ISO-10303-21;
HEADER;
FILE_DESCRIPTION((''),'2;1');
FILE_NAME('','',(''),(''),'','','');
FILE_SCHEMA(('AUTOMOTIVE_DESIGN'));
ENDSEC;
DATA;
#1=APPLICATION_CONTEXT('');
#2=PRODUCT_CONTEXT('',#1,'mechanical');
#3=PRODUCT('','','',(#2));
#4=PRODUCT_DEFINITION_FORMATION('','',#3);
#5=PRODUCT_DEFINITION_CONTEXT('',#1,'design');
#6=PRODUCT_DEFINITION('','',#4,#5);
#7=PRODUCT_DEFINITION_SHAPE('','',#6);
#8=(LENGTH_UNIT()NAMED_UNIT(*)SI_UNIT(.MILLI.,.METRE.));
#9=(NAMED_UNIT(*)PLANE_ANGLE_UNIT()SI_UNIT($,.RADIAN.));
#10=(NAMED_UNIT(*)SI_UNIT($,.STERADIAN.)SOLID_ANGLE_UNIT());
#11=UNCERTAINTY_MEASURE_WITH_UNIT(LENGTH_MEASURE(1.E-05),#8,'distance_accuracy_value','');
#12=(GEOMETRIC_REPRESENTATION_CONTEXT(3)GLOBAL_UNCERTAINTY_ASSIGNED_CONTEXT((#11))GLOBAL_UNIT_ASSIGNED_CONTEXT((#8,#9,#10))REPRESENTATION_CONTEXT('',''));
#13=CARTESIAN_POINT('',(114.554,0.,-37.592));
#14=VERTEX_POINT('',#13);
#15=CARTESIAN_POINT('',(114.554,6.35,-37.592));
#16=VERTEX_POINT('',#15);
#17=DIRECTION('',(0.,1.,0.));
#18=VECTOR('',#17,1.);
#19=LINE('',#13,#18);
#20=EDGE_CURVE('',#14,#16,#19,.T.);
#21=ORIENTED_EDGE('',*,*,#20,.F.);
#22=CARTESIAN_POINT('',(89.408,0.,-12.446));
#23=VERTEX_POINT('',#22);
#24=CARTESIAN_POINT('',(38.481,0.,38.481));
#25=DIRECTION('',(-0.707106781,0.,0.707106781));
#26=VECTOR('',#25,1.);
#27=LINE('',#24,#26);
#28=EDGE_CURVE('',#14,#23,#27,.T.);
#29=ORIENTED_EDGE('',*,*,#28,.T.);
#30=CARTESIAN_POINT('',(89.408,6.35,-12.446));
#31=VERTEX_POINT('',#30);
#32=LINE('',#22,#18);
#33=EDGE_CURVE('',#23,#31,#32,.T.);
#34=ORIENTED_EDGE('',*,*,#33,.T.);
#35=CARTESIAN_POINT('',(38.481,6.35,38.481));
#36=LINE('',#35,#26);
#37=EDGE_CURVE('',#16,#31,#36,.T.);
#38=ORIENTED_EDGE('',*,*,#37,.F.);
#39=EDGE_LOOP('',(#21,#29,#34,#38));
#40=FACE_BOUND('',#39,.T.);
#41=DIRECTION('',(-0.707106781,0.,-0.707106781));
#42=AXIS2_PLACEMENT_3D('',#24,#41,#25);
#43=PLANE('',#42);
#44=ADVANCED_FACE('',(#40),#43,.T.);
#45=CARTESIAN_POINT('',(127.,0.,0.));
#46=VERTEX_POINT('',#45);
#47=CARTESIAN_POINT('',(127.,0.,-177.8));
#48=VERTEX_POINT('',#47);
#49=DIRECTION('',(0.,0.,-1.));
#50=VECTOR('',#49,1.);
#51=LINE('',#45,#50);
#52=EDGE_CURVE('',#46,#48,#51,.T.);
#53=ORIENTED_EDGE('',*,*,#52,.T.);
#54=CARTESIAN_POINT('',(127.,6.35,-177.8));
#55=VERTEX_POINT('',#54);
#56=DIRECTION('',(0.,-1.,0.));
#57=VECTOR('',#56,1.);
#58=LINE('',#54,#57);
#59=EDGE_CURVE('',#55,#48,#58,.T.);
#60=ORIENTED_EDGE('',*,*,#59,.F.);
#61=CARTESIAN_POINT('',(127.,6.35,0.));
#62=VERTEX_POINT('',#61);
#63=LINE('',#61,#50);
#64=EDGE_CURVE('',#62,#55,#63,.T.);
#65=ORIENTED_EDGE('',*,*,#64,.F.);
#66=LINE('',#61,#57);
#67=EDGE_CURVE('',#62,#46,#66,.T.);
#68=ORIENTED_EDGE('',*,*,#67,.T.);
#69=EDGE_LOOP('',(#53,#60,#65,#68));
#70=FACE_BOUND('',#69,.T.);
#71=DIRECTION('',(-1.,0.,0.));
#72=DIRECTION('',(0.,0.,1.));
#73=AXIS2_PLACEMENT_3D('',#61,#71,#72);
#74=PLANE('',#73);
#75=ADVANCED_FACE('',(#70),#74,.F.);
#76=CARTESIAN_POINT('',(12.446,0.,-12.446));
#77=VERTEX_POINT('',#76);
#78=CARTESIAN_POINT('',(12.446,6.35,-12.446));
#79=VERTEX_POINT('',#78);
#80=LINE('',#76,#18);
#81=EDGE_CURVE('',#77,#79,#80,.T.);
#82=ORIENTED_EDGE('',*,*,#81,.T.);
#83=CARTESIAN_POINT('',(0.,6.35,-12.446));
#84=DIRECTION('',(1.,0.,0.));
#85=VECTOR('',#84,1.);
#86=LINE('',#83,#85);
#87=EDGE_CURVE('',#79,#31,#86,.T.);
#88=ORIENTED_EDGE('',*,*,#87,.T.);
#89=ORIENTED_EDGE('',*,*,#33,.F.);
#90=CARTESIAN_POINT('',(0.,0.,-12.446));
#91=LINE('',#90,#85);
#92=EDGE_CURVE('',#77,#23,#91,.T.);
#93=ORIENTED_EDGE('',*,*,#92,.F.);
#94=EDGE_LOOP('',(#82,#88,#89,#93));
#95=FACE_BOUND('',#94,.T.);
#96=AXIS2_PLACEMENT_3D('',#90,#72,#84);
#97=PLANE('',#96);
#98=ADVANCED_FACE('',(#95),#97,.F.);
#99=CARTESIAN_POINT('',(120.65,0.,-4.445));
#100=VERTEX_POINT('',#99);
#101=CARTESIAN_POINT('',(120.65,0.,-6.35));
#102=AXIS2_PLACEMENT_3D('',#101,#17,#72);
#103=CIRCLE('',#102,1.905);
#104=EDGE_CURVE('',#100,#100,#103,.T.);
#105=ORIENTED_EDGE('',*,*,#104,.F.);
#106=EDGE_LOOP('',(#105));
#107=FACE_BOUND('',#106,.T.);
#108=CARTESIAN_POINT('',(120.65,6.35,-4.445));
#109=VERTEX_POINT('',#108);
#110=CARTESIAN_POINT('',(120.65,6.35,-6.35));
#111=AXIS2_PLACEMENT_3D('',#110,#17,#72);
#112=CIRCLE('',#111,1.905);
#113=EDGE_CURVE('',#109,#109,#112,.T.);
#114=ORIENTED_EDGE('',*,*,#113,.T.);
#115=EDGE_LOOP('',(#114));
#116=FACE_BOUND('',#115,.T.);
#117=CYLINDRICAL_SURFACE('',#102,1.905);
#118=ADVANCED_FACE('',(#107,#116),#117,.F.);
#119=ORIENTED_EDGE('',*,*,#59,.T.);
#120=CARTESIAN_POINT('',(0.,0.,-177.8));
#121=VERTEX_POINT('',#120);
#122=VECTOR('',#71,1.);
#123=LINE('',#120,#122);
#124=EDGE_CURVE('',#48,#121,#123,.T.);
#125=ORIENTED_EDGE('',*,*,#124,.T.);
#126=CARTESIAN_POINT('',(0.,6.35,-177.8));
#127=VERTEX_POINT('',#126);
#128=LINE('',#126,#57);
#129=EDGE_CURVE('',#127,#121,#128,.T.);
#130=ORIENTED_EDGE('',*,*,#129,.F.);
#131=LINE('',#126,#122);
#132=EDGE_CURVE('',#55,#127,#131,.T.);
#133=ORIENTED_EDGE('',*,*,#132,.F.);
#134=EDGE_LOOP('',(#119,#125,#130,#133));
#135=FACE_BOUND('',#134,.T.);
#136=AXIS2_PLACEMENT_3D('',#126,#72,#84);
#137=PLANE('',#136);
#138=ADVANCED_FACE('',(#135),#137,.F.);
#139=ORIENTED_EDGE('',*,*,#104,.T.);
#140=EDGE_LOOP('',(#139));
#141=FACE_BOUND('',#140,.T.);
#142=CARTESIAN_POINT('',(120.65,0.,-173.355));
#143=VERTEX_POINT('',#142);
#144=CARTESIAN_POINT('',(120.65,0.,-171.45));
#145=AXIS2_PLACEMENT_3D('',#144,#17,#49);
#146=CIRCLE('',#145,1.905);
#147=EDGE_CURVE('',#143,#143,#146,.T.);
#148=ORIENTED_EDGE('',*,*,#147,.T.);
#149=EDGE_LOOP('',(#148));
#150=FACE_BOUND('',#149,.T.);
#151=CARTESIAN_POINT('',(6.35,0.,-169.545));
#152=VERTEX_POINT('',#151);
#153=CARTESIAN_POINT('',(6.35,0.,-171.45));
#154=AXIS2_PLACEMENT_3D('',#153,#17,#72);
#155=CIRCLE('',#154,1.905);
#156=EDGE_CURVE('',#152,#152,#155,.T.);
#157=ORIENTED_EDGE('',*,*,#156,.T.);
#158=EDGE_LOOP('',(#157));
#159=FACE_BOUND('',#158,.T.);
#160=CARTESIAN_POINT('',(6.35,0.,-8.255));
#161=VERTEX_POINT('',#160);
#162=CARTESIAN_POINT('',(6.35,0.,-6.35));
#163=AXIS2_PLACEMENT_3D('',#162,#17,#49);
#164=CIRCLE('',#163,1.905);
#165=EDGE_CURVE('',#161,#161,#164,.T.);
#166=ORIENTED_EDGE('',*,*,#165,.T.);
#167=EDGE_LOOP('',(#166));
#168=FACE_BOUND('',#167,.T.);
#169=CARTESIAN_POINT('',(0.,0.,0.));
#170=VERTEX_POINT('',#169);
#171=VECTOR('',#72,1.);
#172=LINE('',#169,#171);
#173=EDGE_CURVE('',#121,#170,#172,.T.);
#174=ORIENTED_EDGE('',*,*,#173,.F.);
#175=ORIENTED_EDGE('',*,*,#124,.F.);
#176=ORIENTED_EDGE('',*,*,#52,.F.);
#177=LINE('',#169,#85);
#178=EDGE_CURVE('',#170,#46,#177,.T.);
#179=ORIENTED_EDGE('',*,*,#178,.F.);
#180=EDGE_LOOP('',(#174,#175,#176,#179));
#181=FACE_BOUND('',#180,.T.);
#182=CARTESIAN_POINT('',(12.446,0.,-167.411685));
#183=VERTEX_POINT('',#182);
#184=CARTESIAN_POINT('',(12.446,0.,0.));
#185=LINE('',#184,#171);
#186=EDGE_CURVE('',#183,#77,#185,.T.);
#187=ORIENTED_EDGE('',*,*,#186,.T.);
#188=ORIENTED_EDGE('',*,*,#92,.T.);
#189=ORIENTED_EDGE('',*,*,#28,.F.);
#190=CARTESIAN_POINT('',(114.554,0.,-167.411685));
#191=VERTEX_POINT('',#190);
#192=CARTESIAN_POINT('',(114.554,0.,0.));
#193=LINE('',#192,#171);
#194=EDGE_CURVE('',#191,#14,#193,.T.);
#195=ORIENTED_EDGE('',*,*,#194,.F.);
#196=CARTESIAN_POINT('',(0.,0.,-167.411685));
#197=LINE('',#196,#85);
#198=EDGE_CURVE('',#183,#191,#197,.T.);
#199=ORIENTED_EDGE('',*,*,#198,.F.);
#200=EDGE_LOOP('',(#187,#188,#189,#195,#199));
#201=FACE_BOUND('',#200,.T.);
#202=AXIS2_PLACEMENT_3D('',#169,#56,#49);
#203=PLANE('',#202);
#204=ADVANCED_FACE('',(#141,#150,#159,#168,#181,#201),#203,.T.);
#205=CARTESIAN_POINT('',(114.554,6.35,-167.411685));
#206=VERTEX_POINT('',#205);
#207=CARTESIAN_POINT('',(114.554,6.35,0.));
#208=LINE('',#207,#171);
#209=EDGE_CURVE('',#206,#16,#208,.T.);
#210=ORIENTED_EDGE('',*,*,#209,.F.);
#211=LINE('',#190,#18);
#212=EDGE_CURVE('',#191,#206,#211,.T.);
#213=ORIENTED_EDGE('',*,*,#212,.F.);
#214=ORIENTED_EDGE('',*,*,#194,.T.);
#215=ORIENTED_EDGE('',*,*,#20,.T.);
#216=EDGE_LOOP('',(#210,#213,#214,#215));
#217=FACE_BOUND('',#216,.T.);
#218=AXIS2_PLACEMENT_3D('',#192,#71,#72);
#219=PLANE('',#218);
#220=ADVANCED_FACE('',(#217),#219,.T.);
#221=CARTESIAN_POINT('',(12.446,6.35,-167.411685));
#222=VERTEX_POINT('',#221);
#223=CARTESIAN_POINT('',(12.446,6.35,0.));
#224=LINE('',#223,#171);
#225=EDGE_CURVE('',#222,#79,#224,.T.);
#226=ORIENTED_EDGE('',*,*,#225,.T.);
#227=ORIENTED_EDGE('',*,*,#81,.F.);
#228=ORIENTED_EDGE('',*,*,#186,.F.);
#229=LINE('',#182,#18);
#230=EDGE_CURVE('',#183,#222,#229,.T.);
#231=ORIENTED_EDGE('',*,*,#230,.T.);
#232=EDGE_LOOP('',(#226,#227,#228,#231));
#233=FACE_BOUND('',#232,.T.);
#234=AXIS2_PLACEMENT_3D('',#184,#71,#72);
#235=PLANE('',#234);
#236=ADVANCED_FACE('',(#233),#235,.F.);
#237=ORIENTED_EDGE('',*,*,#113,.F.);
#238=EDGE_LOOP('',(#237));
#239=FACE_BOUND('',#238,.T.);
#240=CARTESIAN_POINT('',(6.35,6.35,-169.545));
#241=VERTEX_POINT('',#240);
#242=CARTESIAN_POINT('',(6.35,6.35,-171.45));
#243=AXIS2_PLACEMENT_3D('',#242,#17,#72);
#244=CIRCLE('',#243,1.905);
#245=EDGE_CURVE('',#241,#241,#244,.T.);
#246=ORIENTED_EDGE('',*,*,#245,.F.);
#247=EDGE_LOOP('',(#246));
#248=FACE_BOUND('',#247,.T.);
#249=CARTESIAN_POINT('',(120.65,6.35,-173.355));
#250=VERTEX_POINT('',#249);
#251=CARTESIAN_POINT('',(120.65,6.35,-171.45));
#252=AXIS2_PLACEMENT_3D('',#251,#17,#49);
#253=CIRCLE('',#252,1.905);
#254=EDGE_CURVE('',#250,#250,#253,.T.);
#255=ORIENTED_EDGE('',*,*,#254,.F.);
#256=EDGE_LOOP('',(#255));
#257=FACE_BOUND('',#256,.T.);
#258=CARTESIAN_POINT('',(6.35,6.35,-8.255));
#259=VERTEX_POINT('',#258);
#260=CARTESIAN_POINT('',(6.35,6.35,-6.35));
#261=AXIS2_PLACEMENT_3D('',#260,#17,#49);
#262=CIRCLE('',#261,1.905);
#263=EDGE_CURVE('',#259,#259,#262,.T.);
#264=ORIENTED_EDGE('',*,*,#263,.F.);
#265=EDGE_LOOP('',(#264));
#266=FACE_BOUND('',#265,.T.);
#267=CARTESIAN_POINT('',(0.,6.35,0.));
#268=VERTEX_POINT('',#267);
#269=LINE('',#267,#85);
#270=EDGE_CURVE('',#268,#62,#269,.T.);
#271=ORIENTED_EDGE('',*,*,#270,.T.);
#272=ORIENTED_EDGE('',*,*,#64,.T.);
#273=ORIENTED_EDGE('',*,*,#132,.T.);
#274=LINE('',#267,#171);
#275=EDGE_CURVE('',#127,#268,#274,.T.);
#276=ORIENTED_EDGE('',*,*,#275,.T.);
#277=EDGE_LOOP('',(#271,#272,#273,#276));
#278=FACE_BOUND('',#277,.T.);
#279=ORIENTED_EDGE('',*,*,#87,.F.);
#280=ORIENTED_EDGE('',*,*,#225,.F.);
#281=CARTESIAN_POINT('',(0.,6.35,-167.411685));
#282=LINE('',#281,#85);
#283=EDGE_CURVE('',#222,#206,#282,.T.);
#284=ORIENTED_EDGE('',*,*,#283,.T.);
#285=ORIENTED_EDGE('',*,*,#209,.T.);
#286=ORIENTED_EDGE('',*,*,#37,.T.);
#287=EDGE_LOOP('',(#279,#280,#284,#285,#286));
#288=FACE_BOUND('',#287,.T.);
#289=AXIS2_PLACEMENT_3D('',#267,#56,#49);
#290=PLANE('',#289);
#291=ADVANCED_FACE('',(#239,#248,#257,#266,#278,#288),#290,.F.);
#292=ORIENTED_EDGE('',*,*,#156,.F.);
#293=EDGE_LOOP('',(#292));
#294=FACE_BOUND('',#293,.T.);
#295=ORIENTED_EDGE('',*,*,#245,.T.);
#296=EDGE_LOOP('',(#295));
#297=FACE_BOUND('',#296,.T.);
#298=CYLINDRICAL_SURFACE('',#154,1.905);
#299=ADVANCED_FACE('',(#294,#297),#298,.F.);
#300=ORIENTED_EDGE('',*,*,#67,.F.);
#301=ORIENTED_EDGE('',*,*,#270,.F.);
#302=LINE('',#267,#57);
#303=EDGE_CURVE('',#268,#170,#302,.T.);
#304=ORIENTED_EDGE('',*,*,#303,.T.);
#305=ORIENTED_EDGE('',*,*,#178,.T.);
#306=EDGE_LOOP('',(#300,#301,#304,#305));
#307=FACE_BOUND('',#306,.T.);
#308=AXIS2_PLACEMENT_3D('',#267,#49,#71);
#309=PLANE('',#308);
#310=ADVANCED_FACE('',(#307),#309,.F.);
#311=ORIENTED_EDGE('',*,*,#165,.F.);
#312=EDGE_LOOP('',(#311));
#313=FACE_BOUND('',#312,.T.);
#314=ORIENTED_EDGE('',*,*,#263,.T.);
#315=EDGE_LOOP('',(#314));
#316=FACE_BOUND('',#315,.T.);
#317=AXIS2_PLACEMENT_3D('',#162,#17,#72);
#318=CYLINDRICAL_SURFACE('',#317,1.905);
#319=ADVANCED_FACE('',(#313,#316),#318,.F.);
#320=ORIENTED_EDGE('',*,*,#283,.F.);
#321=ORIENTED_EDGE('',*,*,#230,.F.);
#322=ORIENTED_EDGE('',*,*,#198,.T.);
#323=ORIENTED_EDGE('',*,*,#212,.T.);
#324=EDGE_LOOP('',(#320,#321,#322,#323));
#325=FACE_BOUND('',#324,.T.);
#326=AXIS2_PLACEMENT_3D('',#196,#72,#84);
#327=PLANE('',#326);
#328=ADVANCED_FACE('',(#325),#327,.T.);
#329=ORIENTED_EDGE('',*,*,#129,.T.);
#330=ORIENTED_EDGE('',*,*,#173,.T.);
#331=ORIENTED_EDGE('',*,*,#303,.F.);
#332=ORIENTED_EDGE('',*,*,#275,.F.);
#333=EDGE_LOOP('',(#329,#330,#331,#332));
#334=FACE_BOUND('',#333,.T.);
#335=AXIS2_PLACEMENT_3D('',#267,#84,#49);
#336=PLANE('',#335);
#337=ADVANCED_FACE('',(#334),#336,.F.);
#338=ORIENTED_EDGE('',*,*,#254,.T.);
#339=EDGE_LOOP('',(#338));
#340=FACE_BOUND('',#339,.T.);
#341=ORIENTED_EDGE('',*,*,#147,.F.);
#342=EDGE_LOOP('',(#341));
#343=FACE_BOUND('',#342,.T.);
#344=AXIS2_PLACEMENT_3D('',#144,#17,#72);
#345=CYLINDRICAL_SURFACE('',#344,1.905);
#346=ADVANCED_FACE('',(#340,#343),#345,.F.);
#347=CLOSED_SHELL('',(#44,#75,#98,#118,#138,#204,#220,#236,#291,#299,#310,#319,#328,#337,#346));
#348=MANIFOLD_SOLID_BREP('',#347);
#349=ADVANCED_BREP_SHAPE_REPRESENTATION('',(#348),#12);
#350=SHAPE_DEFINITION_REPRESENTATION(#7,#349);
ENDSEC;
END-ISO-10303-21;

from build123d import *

# Parameters (mm, degrees)
SKETCH1_W           = 127
SKETCH1_H           = 177.8
BOSS_EXTRUDE1_DEPTH = 6.35
CUT_EXTRUDE1_DEPTH  = 219.591313871
SKETCH3_R           = 1.905
CUT_EXTRUDE2_DEPTH  = 219.591313871


with BuildPart() as part:
    # Sketch1 → Boss-Extrude1 (new body)
    with BuildSketch(Plane(origin=(0, 0, 0), x_dir=(1, 0, 0), z_dir=(0, 1, 0))):
        with Locations((63.5, 88.9)):
            Rectangle(SKETCH1_W, SKETCH1_H)
    extrude(amount=BOSS_EXTRUDE1_DEPTH)

    # Sketch2 → Cut-Extrude1 (cut, through all)
    with BuildSketch(Plane(origin=(0, 6.35, 0), x_dir=(1, 0, 0), z_dir=(0, 1, 0))):
        Polygon((114.554, 167.411684877), (12.446, 167.411684877), (12.446, 12.446), (89.408, 12.446), (114.554, 37.592), align=None)
    extrude(amount=-CUT_EXTRUDE1_DEPTH, mode=Mode.SUBTRACT)

    # Sketch3 → Cut-Extrude2 (cut, through all)
    with BuildSketch(Plane(origin=(0, 6.35, 0), x_dir=(1, 0, 0), z_dir=(0, 1, 0))):
        with Locations(Location((6.35, 171.45, 0), (0, 0, 270))):
            Circle(SKETCH3_R)
        with Locations(Location((6.35, 6.35, 0), (0, 0, 90))):
            Circle(SKETCH3_R)
        with Locations(Location((120.65, 6.35, 0), (0, 0, 270))):
            Circle(SKETCH3_R)
        with Locations(Location((120.65, 171.45, 0), (0, 0, 90))):
            Circle(SKETCH3_R)
    extrude(amount=-CUT_EXTRUDE2_DEPTH, mode=Mode.SUBTRACT)


solid = part.part
